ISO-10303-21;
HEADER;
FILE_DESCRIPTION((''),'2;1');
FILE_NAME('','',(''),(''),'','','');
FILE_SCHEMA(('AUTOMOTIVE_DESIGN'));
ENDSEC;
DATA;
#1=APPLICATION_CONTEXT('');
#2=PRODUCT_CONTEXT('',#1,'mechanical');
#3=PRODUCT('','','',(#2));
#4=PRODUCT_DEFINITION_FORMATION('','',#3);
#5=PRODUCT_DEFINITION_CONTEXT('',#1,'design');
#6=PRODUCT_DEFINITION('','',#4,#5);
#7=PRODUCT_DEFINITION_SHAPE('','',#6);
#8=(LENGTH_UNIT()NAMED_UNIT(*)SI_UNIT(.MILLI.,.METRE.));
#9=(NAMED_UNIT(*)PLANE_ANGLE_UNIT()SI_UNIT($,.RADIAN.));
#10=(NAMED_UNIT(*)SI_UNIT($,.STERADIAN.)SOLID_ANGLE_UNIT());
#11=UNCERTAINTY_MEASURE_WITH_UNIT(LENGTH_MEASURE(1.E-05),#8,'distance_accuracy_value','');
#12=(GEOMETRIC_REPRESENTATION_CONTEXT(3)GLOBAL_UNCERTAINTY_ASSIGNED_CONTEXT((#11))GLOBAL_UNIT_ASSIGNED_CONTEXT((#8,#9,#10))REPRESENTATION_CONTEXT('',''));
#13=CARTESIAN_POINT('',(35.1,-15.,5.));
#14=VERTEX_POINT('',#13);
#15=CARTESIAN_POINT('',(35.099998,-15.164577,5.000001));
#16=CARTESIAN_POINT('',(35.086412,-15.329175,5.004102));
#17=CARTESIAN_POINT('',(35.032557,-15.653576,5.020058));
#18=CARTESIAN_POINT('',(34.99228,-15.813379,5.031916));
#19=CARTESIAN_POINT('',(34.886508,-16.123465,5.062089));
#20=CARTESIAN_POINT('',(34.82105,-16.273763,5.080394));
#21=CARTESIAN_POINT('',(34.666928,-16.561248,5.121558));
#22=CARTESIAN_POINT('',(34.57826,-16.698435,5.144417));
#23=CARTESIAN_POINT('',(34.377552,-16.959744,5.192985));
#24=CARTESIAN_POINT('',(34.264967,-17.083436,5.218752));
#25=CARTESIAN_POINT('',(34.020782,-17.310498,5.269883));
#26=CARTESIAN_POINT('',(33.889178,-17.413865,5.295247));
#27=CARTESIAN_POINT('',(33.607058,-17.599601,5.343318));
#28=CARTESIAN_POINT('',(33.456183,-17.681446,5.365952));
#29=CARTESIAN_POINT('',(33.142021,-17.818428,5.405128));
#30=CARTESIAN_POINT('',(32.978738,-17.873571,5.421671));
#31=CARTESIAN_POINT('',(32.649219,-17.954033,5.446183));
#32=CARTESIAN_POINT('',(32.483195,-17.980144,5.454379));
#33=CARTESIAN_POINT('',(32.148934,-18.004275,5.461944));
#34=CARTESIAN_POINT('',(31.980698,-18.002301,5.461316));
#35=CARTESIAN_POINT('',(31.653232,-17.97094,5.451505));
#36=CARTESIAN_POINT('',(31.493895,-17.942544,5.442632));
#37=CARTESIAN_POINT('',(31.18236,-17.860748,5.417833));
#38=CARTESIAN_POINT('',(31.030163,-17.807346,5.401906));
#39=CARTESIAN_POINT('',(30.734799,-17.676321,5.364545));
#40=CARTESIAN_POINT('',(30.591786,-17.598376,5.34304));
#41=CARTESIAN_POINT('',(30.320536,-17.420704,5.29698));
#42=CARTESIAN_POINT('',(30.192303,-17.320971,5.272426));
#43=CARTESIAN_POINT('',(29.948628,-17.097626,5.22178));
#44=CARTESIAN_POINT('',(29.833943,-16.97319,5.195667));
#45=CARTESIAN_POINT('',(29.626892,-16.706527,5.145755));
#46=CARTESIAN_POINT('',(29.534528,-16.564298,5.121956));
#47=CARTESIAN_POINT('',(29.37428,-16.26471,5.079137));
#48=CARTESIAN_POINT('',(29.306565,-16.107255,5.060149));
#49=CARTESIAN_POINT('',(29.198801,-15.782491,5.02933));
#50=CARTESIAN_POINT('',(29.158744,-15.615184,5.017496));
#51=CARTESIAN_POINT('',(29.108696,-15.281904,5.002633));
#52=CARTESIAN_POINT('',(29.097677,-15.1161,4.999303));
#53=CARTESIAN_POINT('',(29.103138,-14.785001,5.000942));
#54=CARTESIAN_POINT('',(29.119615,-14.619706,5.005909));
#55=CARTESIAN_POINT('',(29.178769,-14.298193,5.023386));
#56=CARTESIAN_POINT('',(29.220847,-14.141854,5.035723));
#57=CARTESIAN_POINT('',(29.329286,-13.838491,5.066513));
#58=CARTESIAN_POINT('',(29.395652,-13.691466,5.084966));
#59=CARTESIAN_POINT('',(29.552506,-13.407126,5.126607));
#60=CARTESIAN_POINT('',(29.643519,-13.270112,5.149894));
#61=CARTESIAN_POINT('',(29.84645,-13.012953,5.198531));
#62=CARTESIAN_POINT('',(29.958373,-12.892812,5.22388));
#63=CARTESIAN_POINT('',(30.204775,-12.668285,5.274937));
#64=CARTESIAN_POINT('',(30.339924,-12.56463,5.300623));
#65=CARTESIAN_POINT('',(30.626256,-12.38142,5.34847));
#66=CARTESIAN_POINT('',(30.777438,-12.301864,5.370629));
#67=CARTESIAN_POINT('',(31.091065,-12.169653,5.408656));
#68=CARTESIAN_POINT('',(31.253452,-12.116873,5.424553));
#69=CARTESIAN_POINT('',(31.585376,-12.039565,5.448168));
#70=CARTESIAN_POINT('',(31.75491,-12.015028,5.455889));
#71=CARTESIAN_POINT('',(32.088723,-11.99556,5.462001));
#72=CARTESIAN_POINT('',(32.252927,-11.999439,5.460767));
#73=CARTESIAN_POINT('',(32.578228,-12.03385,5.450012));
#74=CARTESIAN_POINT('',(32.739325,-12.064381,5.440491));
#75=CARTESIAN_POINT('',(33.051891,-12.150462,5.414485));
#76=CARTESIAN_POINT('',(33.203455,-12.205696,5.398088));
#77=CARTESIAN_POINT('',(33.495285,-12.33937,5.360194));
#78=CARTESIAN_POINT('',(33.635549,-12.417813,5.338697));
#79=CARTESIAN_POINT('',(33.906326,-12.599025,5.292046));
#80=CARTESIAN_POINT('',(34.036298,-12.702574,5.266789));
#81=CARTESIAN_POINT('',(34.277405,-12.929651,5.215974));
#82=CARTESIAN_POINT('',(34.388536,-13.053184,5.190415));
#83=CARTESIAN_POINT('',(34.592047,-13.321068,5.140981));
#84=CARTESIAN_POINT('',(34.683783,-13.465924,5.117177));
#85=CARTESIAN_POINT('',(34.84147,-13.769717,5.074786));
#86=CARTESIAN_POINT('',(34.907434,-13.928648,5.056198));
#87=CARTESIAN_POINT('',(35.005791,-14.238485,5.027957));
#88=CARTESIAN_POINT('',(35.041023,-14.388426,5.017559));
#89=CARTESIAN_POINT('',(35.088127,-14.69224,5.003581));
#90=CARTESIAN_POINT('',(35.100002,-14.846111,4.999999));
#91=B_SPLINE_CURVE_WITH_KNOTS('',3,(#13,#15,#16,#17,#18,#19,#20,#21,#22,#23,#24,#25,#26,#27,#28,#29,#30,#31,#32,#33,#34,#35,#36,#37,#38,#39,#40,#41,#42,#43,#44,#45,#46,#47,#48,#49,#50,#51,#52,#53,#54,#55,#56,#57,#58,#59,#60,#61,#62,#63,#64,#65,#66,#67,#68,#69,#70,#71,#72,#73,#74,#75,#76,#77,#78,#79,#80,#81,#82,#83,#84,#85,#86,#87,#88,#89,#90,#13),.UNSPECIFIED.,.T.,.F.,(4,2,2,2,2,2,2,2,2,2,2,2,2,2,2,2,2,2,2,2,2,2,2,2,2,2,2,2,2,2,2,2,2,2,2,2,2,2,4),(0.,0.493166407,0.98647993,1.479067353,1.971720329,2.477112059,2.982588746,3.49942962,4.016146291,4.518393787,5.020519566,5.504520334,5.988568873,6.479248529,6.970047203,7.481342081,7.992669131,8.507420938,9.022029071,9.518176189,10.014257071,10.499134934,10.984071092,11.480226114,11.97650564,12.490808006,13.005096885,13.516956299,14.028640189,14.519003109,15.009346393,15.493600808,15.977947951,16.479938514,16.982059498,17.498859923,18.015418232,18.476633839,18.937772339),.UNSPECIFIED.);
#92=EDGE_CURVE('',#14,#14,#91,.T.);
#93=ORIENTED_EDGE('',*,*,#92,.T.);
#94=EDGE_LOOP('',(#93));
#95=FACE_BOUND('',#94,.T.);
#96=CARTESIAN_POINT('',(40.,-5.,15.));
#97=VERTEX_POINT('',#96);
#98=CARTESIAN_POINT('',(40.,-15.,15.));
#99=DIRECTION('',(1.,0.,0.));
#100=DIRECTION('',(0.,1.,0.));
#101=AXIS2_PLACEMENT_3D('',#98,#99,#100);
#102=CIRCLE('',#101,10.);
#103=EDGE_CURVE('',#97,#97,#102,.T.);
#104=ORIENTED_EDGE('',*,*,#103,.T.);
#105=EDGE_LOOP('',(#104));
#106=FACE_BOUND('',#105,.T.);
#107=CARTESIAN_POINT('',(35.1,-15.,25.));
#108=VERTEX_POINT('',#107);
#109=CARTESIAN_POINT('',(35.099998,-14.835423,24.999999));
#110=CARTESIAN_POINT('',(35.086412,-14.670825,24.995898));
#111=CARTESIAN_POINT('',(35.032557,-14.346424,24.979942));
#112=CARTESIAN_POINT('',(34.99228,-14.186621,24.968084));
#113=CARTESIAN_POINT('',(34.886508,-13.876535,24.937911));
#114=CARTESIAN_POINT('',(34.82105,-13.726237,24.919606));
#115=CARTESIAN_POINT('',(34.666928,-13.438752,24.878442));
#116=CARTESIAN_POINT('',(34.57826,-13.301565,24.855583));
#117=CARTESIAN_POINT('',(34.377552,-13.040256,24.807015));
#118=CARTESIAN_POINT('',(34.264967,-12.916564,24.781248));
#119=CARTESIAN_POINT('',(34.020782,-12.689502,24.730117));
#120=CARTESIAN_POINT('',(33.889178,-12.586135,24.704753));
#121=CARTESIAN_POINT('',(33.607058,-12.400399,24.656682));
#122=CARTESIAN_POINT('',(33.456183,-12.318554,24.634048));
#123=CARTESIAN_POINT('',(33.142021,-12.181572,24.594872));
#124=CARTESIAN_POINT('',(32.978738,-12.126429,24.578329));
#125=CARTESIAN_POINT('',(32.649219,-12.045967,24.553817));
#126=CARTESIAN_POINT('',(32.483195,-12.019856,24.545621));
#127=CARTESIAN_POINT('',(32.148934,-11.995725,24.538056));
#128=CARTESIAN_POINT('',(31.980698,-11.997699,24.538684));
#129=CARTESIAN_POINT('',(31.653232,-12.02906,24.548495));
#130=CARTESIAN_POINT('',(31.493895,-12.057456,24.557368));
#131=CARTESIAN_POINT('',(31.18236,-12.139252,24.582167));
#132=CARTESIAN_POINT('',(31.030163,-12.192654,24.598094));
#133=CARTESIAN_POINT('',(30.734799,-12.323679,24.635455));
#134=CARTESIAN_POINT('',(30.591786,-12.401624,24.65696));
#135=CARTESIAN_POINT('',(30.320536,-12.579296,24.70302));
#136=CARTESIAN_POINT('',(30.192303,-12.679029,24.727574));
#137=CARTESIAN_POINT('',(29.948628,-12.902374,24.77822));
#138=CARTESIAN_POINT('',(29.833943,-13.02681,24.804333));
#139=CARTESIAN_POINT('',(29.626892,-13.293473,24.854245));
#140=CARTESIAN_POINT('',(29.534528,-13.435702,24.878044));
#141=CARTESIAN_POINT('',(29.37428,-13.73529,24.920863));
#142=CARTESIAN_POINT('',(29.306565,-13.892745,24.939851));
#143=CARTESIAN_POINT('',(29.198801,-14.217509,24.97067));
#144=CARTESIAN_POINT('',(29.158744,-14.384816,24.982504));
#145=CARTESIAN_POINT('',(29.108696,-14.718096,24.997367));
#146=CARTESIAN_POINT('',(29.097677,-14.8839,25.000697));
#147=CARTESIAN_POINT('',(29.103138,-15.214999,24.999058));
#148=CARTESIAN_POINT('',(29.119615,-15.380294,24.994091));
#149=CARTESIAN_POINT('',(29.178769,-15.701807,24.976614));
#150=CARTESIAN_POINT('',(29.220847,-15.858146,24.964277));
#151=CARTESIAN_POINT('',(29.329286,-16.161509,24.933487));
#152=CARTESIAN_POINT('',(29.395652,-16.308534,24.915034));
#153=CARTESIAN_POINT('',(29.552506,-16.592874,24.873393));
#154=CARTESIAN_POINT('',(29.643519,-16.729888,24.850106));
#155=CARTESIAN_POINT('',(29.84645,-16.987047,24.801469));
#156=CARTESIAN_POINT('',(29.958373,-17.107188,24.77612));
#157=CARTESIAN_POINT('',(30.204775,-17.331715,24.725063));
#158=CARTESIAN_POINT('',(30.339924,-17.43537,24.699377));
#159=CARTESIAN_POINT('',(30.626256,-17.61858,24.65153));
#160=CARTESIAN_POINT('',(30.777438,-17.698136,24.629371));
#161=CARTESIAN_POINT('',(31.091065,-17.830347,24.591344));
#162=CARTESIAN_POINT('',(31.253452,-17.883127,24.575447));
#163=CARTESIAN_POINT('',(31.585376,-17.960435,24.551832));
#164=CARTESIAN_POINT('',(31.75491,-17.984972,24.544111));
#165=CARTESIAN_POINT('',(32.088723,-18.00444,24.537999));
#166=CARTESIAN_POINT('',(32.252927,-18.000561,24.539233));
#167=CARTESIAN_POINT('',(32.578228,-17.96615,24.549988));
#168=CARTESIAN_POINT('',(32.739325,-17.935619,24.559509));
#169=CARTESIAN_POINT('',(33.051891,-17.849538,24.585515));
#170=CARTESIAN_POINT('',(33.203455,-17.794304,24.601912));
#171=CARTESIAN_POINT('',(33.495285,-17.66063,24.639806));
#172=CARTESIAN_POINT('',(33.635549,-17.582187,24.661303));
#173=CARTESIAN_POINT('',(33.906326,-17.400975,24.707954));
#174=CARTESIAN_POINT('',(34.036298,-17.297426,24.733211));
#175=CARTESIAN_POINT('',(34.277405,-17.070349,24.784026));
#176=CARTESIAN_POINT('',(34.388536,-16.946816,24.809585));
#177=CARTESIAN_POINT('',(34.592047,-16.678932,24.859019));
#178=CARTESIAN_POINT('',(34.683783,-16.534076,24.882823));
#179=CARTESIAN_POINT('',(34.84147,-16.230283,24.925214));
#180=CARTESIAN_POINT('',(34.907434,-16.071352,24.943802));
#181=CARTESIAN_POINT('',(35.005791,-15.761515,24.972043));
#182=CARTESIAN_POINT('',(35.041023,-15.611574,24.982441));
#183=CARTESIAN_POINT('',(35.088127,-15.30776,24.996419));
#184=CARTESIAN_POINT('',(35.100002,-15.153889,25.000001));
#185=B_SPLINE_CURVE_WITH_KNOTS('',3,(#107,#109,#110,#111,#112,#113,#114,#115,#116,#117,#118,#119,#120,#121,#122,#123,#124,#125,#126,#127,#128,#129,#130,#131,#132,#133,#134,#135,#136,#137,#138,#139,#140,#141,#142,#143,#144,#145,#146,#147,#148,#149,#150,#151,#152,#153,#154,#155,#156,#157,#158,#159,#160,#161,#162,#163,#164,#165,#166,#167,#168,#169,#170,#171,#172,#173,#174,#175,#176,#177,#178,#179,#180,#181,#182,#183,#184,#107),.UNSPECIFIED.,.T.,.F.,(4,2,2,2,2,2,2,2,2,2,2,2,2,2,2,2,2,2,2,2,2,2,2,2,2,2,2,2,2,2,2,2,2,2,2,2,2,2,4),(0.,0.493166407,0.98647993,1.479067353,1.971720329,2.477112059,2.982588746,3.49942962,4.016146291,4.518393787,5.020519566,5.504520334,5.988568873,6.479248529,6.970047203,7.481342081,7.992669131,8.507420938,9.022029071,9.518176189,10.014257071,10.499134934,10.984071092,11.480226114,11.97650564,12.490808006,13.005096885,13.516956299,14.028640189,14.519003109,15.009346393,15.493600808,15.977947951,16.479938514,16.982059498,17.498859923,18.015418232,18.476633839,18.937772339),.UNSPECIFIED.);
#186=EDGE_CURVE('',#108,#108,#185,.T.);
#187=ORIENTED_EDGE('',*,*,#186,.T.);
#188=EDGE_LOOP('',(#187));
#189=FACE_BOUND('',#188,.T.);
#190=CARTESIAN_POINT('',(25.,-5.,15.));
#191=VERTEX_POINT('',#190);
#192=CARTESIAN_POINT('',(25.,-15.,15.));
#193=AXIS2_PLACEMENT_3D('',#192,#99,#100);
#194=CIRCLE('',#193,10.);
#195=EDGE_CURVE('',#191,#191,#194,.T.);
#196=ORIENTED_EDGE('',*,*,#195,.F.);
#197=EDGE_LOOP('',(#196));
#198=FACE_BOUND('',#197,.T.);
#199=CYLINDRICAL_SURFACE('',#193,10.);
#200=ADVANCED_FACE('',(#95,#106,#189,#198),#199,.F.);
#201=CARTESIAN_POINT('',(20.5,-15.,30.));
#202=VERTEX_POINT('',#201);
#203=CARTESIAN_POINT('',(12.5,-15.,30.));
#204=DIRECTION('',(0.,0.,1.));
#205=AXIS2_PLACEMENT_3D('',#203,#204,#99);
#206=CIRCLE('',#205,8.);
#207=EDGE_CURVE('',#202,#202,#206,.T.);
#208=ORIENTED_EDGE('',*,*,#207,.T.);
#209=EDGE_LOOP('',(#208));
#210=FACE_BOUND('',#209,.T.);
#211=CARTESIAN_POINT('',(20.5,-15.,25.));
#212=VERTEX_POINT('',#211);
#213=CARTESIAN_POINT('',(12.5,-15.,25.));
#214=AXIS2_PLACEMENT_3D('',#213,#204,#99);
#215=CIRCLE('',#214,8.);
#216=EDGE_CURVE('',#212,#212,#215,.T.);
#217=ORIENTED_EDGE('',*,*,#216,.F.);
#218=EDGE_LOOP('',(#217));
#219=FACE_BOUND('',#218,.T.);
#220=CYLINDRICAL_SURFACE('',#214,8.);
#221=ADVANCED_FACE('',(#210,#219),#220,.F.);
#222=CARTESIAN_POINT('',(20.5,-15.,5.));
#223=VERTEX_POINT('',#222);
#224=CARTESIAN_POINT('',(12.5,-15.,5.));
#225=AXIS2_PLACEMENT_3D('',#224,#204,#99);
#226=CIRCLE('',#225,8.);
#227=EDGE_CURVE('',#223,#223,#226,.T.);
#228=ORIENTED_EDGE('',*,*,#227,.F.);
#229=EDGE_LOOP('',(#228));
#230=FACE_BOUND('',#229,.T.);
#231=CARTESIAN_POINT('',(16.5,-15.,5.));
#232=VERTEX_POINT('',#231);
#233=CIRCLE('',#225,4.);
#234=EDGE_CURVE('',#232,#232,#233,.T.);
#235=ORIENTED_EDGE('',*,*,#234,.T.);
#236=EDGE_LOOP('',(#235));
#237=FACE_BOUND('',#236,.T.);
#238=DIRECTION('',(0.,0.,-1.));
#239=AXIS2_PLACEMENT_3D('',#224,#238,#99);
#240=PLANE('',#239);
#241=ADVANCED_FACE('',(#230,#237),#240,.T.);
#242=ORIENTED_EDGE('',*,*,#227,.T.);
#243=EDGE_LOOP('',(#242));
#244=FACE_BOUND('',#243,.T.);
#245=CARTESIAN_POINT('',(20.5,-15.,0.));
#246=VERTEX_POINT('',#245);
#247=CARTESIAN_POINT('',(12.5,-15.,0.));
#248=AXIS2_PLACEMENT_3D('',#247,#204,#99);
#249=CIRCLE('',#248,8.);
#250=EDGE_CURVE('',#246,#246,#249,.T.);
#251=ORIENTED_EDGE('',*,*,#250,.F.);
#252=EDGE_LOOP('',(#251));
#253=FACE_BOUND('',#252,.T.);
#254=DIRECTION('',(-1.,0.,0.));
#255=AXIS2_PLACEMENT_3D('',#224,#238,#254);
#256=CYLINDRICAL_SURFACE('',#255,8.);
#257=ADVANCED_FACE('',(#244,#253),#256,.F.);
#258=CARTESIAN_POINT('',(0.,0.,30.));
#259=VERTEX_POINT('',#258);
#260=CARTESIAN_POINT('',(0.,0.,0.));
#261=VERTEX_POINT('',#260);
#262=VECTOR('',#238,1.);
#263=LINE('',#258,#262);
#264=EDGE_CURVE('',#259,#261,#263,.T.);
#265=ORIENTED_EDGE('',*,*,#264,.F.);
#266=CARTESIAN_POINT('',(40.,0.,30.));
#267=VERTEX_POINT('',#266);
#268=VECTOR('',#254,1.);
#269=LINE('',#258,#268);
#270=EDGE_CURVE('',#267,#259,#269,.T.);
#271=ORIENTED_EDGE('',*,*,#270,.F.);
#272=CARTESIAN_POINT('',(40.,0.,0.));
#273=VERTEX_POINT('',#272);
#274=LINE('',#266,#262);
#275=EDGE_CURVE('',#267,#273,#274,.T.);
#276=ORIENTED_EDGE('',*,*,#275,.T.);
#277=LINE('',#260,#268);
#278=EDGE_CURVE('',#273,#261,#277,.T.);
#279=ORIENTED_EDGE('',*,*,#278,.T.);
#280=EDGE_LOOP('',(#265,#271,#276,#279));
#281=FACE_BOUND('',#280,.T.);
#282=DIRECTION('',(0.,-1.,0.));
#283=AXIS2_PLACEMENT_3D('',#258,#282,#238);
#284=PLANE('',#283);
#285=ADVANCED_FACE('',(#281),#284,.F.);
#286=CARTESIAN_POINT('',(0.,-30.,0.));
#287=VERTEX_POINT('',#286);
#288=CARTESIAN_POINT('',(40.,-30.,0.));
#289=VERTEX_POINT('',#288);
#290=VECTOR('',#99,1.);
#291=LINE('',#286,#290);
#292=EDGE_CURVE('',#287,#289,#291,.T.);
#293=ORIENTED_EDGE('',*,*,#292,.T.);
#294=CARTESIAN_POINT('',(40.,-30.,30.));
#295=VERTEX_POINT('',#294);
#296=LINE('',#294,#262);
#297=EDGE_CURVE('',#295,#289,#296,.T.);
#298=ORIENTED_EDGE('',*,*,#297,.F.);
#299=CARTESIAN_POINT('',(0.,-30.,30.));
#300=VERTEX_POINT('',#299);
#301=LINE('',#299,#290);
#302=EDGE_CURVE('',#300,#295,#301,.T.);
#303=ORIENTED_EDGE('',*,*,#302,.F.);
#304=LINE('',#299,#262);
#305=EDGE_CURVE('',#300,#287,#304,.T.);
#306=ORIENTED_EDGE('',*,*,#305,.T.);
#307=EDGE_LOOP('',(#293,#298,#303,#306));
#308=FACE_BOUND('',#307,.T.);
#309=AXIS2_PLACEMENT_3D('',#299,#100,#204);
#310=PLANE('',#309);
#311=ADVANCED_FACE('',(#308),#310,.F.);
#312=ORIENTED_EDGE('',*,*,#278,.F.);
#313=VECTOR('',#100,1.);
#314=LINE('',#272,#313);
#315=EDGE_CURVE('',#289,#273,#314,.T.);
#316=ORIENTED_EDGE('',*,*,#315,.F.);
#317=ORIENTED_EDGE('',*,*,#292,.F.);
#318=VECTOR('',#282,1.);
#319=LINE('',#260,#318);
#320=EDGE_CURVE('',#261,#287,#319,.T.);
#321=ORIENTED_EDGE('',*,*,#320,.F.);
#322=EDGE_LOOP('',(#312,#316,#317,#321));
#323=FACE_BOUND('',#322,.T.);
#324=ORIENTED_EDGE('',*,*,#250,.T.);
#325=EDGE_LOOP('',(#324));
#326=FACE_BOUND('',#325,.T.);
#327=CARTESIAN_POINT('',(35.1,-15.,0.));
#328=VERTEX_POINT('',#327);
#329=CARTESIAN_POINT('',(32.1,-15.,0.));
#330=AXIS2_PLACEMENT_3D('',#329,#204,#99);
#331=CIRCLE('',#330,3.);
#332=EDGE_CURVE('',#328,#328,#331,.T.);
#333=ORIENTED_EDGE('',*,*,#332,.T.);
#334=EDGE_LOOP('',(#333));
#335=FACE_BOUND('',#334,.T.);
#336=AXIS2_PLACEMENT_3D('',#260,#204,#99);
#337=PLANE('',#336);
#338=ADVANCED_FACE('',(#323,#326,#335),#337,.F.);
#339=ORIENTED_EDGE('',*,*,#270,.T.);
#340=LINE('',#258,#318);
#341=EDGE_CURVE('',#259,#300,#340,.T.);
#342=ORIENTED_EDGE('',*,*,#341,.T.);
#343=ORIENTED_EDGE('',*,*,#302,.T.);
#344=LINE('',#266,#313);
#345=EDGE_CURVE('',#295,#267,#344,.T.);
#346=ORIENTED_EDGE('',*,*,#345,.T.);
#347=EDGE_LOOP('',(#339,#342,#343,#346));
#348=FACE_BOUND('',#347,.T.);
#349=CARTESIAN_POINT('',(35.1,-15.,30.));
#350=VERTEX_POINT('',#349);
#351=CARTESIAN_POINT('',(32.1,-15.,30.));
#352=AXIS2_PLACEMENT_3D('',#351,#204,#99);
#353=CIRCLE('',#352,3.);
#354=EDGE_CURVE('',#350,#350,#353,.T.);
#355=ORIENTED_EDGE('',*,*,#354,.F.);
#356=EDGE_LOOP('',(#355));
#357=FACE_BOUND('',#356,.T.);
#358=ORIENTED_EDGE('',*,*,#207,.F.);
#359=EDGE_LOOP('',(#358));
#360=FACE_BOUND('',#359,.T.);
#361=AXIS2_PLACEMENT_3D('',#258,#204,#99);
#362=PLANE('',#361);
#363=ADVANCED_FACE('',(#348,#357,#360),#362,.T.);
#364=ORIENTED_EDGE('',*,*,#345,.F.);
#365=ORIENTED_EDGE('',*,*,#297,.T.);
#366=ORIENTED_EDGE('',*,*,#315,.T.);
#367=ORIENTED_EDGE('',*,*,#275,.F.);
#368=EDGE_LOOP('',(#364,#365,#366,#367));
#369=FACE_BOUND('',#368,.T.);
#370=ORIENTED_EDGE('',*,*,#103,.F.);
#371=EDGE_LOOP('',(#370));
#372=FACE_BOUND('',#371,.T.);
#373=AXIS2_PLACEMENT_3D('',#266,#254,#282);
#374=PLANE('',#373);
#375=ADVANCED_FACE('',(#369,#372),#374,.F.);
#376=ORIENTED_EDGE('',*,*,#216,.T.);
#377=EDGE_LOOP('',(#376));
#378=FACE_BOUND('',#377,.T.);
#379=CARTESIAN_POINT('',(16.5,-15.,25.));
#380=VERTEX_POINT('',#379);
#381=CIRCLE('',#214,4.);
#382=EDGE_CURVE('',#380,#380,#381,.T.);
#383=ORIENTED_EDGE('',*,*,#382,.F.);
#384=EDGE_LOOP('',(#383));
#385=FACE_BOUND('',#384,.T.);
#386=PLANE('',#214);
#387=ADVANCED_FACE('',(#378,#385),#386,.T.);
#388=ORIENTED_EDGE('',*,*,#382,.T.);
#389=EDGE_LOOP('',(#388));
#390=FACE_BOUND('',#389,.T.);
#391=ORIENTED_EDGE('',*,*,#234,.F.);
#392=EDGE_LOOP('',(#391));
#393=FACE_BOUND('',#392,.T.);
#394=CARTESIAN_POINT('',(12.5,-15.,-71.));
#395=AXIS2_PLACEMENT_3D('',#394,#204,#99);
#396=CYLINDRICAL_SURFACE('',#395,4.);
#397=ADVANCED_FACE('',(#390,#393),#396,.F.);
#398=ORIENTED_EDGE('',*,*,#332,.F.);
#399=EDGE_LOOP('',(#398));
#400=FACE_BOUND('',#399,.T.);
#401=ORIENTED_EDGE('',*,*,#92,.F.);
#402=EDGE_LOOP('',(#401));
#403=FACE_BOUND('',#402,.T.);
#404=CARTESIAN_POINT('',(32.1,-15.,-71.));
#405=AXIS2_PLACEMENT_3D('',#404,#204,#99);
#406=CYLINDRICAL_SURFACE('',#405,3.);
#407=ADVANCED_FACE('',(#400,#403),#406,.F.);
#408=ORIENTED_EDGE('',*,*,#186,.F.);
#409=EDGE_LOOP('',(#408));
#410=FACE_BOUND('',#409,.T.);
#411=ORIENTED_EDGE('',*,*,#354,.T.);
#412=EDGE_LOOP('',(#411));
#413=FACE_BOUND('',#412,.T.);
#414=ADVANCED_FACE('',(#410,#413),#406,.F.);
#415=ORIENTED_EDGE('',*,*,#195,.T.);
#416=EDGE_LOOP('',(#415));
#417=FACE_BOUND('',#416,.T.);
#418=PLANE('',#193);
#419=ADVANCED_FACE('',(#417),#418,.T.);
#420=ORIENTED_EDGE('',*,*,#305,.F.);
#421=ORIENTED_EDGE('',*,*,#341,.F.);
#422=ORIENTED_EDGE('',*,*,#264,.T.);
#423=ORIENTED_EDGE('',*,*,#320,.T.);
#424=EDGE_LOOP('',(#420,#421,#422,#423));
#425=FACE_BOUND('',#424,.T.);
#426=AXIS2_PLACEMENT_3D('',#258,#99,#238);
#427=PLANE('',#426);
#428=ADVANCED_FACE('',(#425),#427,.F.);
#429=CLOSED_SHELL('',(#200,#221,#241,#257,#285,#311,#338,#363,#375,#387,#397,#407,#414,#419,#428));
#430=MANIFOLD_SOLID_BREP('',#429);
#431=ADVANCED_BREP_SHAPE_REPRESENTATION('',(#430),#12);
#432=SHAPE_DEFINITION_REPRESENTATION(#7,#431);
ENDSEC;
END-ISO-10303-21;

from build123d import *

# Parameters (mm, degrees)
SKETCH9_W           = 40
SKETCH9_H           = 30
BOSS_EXTRUDE2_DEPTH = 30
SKETCH10_R          = 10
CUT_EXTRUDE1_DEPTH  = 15
SKETCH11_R          = 8
SKETCH11_R_2        = 4
CUT_EXTRUDE2_DEPTH  = 5
SKETCH11_3_R        = 4
CUT_EXTRUDE3_DEPTH  = 101
SKETCH12_R          = 3
CUT_EXTRUDE4_DEPTH  = 101


with BuildPart() as part:
    # Sketch9 → Boss-Extrude2 (new body)
    with BuildSketch(Plane.XY):
        with Locations((20, -15)):
            Rectangle(SKETCH9_W, SKETCH9_H)
    extrude(amount=BOSS_EXTRUDE2_DEPTH)

    # Sketch10 → Cut-Extrude1 (cut)
    with BuildSketch(Plane(origin=(40, 0, 0), x_dir=(0, 0, -1), z_dir=(1, 0, 0))):
        with Locations((-15, -15)):
            Circle(SKETCH10_R)
    extrude(amount=-CUT_EXTRUDE1_DEPTH, mode=Mode.SUBTRACT)

    # Sketch11 → Cut-Extrude2 (cut)
    with BuildSketch(Plane.XY.offset(30)):
        with Locations((12.5, -15)):
            Circle(SKETCH11_R)
        with Locations((12.5, -15)):
            Circle(SKETCH11_R_2, mode=Mode.SUBTRACT)
    cut_extrude2 = extrude(amount=-CUT_EXTRUDE2_DEPTH, mode=Mode.SUBTRACT)

    # Sketch11<3> → Cut-Extrude3 (cut)
    with BuildSketch(Plane.XY.offset(30)):
        with Locations((12.5, -15)):
            Circle(SKETCH11_3_R)
    extrude(amount=-CUT_EXTRUDE3_DEPTH, mode=Mode.SUBTRACT)

    # Sketch12 → Cut-Extrude4 (cut)
    with BuildSketch(Plane.XY.offset(30)):
        with Locations((32.1, -15)):
            Circle(SKETCH12_R)
    extrude(amount=-CUT_EXTRUDE4_DEPTH, mode=Mode.SUBTRACT)

    # Mirror1: Cut-Extrude2 across plane
    add(cut_extrude2.mirror(Plane(origin=(0, 0, 15), x_dir=(1, 0, 0), z_dir=(0, 0, -1))), mode=Mode.SUBTRACT)


solid = part.part
